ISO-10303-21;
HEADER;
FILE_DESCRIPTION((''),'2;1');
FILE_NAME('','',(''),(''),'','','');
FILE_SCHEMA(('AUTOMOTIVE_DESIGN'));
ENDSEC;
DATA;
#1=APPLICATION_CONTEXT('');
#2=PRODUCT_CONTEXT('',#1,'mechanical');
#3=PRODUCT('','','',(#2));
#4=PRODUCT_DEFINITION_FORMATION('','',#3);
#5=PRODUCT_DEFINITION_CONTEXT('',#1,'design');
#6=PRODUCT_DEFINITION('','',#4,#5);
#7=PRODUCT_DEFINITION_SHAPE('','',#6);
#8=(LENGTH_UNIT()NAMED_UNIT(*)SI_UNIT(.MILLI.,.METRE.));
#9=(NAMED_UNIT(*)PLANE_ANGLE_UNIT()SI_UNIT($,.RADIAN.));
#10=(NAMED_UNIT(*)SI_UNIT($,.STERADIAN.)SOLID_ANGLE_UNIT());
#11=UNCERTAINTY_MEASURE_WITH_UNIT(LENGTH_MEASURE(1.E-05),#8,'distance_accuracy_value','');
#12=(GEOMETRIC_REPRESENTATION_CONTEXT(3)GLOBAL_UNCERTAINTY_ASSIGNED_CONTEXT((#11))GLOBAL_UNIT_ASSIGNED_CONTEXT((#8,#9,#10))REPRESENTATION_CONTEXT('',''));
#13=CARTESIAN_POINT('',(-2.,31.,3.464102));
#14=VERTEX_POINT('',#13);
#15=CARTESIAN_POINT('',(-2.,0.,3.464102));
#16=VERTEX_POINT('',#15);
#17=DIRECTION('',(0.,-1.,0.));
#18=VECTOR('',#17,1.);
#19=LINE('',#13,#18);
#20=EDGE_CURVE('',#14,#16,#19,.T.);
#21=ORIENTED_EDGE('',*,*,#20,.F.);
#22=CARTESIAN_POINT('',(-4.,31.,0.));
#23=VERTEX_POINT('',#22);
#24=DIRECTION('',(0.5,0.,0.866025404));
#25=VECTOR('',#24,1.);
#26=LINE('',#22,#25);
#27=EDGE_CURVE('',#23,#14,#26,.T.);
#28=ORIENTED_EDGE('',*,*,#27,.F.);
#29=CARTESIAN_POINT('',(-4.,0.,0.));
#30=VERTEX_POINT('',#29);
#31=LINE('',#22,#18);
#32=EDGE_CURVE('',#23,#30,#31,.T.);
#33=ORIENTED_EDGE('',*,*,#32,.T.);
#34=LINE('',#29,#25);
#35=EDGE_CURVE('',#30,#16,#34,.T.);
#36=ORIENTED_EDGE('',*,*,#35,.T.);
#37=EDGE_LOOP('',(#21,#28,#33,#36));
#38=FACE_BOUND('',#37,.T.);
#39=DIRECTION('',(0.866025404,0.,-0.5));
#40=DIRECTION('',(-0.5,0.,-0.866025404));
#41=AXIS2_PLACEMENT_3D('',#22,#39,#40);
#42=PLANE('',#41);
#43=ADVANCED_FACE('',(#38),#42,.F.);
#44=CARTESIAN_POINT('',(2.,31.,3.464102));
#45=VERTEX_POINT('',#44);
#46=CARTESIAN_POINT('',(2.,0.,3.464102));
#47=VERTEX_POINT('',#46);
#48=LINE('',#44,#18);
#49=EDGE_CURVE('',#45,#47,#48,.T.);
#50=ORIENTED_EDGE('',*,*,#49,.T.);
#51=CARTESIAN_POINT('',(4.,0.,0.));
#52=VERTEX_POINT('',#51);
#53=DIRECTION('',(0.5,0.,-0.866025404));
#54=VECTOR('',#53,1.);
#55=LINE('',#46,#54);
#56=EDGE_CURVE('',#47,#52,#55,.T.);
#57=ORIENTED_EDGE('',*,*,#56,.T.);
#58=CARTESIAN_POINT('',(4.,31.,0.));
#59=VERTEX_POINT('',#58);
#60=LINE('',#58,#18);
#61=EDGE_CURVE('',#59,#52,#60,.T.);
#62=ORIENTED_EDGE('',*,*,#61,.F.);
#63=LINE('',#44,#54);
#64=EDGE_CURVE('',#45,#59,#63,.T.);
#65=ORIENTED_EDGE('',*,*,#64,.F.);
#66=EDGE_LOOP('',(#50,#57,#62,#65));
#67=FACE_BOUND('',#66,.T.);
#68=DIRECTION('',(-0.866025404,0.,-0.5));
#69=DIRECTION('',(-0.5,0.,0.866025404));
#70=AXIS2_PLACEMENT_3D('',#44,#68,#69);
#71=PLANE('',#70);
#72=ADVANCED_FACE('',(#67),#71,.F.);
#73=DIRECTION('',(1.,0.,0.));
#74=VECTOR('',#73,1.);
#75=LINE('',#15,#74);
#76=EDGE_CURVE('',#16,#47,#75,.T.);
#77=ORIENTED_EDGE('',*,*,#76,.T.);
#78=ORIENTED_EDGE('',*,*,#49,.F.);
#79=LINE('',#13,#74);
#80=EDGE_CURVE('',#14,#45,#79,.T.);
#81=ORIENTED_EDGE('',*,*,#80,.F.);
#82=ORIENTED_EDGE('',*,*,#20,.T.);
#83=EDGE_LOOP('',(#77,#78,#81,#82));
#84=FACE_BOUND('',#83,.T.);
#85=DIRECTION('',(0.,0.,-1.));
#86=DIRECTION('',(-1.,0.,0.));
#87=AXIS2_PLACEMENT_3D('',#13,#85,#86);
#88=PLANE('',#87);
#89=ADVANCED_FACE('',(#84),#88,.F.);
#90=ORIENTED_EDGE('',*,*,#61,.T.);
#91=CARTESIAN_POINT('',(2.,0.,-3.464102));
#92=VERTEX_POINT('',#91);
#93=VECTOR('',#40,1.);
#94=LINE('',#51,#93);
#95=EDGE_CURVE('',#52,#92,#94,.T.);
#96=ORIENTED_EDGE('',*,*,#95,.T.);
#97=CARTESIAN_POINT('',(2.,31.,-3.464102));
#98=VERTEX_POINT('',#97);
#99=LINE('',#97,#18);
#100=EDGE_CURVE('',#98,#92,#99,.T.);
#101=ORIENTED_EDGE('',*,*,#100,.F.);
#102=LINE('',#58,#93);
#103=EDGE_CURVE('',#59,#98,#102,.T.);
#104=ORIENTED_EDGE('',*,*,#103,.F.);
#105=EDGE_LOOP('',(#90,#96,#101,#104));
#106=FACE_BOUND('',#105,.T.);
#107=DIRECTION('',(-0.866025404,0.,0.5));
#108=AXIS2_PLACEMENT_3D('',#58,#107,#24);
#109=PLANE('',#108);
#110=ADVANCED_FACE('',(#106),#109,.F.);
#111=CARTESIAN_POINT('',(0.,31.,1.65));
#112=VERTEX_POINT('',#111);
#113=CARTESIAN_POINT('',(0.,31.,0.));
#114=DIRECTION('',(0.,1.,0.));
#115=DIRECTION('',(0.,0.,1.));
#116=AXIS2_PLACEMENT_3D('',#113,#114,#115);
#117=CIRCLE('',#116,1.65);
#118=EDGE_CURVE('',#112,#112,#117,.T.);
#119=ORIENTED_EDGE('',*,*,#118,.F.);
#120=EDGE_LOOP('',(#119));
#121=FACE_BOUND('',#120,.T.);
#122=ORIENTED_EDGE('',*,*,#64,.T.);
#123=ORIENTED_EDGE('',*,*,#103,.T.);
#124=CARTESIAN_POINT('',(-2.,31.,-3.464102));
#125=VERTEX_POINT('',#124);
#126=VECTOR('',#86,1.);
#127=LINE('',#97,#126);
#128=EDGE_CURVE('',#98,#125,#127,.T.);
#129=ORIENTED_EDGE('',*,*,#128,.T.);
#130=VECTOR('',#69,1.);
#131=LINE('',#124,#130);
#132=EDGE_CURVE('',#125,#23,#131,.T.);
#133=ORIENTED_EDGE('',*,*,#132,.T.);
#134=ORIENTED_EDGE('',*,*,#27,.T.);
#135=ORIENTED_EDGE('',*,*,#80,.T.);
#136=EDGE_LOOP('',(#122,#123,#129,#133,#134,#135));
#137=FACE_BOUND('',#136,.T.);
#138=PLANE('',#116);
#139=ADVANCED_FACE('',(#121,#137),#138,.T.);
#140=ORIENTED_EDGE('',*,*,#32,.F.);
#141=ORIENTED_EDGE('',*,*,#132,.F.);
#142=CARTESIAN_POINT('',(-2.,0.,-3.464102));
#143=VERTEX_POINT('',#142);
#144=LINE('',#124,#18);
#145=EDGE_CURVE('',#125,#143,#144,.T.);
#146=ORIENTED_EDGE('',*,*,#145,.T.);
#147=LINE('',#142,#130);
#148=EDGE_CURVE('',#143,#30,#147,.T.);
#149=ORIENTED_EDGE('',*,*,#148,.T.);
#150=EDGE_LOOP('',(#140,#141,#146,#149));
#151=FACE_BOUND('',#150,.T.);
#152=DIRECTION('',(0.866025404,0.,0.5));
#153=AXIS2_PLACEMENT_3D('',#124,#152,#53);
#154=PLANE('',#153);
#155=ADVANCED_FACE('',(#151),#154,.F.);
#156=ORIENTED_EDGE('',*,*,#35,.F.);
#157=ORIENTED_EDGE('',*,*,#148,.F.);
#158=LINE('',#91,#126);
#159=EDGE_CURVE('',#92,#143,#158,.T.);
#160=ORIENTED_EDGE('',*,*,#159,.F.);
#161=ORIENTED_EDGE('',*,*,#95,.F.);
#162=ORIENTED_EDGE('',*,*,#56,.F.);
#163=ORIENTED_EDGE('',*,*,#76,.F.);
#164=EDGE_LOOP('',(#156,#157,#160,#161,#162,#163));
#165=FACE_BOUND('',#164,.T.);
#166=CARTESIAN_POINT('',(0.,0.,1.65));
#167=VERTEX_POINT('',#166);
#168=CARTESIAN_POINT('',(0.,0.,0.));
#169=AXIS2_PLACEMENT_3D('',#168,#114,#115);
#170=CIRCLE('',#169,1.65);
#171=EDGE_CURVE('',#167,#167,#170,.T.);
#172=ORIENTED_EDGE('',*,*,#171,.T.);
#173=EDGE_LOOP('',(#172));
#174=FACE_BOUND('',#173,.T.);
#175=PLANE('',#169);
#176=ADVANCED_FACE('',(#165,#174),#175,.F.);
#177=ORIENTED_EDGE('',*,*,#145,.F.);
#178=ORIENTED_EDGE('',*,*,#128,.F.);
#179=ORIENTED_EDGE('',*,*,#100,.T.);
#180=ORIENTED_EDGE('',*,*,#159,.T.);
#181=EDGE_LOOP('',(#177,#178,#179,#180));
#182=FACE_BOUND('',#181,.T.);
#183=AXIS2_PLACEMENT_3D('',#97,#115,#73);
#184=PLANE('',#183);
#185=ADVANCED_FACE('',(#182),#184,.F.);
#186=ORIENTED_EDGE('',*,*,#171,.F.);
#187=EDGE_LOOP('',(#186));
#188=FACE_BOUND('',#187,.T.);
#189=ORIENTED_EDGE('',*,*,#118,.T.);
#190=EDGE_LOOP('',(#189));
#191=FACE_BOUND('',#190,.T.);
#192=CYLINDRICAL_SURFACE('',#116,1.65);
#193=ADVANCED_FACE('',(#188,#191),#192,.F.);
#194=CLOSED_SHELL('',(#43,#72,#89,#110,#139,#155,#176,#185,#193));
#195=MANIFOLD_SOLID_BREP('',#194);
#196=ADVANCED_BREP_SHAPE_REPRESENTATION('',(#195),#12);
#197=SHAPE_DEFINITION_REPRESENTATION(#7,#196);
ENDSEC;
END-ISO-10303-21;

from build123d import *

# Parameters (mm, degrees)
BOSS_EXTRUDE1_DEPTH         = 31
TAP_DRILL_FOR_M4X0_7_TAP1_D = 3.3


with BuildPart() as part:
    # Sketch1 → Boss-Extrude1 (new body)
    with BuildSketch(Plane(origin=(0, 0, 0), x_dir=(1, 0, 0), z_dir=(0, 1, 0))):
        Polygon((4, 0), (2, 3.464101615), (-2, 3.464101615), (-4, 0), (-2, -3.464101615), (2, -3.464101615), align=None)
    extrude(amount=BOSS_EXTRUDE1_DEPTH)

    # Tap Drill for M4x0.7 Tap1 (through all)
    with Locations(Plane(origin=(0, 31, 0), x_dir=(1, 0, 0), z_dir=(0, 1, 0))):
        with Locations((0, 0)):
            Hole(TAP_DRILL_FOR_M4X0_7_TAP1_D / 2)


solid = part.part
